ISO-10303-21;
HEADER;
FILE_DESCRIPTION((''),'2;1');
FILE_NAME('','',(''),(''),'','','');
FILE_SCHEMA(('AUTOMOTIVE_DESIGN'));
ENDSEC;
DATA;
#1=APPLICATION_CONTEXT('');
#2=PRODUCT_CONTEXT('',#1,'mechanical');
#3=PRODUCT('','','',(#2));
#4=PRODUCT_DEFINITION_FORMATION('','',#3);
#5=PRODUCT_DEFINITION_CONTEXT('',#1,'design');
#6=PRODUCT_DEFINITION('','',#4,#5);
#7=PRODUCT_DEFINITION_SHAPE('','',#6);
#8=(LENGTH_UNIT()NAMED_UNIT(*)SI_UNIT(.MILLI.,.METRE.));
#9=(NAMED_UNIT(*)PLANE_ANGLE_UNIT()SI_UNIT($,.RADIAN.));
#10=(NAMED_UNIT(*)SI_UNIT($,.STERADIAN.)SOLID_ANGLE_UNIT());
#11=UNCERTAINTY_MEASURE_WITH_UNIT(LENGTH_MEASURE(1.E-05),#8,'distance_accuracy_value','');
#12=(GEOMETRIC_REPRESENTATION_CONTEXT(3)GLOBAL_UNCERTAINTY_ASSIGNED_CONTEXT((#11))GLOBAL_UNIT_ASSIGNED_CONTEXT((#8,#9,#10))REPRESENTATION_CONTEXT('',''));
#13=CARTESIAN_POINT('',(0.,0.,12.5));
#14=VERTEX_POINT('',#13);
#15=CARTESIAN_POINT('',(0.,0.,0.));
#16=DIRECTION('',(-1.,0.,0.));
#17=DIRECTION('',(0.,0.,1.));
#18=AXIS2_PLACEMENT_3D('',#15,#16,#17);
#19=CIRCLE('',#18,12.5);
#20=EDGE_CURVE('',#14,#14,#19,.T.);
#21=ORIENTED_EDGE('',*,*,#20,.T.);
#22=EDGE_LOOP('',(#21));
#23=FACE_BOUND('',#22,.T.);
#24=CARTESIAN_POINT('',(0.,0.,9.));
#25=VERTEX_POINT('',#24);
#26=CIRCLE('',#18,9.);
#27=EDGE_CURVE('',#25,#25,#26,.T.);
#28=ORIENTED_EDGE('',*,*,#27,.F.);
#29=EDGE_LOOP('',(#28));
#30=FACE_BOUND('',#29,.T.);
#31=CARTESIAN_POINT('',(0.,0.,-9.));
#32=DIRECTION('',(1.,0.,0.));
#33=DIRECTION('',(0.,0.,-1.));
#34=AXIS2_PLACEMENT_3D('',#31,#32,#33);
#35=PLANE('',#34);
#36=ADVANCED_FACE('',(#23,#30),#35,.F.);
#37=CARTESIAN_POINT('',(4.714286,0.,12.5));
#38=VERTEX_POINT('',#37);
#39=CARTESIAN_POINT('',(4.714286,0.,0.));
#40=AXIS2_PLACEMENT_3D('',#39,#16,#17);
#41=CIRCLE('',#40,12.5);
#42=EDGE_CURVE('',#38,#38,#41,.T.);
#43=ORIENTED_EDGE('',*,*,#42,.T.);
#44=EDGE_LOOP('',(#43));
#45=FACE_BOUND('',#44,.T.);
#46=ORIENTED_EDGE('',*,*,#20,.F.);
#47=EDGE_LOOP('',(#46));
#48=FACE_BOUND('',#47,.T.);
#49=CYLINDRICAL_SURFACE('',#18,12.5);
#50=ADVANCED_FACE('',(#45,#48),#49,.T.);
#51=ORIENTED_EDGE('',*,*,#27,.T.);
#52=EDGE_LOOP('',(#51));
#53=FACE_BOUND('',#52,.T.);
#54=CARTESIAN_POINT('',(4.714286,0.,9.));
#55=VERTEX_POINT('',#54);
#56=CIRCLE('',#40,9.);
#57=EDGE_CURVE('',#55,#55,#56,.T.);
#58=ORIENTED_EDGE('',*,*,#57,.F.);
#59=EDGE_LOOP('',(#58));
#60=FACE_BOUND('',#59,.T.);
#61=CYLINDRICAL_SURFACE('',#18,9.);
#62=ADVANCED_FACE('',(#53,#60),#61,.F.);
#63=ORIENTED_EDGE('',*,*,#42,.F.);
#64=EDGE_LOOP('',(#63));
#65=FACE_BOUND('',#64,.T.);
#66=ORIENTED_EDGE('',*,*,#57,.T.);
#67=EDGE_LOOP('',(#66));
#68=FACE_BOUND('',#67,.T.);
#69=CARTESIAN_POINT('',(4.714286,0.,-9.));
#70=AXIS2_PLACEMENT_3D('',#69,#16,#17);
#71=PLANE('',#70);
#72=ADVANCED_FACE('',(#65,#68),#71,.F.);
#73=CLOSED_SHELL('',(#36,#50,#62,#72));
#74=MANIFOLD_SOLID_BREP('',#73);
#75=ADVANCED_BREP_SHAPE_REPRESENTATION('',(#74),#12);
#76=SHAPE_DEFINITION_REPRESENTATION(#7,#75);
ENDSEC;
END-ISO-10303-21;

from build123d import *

# Parameters (mm, degrees)
SKETCH1_W = 4.714285714
SKETCH1_H = 3.5


with BuildPart() as part:
    # Sketch1 → Revolve1 (revolve)
    with BuildSketch(Plane(origin=(0, 0, 0), x_dir=(1, 0, 0), z_dir=(0, 1, 0)), mode=Mode.PRIVATE) as revolve1_sk:
        with Locations((2.357142857, 10.75)):
            Rectangle(SKETCH1_W, SKETCH1_H)
    revolve(revolve1_sk.sketch.rotate(Axis((0, 0, 0), (1, 0, 0)), 180), axis=Axis((0, 0, 0), (1, 0, 0)))


solid = part.part
